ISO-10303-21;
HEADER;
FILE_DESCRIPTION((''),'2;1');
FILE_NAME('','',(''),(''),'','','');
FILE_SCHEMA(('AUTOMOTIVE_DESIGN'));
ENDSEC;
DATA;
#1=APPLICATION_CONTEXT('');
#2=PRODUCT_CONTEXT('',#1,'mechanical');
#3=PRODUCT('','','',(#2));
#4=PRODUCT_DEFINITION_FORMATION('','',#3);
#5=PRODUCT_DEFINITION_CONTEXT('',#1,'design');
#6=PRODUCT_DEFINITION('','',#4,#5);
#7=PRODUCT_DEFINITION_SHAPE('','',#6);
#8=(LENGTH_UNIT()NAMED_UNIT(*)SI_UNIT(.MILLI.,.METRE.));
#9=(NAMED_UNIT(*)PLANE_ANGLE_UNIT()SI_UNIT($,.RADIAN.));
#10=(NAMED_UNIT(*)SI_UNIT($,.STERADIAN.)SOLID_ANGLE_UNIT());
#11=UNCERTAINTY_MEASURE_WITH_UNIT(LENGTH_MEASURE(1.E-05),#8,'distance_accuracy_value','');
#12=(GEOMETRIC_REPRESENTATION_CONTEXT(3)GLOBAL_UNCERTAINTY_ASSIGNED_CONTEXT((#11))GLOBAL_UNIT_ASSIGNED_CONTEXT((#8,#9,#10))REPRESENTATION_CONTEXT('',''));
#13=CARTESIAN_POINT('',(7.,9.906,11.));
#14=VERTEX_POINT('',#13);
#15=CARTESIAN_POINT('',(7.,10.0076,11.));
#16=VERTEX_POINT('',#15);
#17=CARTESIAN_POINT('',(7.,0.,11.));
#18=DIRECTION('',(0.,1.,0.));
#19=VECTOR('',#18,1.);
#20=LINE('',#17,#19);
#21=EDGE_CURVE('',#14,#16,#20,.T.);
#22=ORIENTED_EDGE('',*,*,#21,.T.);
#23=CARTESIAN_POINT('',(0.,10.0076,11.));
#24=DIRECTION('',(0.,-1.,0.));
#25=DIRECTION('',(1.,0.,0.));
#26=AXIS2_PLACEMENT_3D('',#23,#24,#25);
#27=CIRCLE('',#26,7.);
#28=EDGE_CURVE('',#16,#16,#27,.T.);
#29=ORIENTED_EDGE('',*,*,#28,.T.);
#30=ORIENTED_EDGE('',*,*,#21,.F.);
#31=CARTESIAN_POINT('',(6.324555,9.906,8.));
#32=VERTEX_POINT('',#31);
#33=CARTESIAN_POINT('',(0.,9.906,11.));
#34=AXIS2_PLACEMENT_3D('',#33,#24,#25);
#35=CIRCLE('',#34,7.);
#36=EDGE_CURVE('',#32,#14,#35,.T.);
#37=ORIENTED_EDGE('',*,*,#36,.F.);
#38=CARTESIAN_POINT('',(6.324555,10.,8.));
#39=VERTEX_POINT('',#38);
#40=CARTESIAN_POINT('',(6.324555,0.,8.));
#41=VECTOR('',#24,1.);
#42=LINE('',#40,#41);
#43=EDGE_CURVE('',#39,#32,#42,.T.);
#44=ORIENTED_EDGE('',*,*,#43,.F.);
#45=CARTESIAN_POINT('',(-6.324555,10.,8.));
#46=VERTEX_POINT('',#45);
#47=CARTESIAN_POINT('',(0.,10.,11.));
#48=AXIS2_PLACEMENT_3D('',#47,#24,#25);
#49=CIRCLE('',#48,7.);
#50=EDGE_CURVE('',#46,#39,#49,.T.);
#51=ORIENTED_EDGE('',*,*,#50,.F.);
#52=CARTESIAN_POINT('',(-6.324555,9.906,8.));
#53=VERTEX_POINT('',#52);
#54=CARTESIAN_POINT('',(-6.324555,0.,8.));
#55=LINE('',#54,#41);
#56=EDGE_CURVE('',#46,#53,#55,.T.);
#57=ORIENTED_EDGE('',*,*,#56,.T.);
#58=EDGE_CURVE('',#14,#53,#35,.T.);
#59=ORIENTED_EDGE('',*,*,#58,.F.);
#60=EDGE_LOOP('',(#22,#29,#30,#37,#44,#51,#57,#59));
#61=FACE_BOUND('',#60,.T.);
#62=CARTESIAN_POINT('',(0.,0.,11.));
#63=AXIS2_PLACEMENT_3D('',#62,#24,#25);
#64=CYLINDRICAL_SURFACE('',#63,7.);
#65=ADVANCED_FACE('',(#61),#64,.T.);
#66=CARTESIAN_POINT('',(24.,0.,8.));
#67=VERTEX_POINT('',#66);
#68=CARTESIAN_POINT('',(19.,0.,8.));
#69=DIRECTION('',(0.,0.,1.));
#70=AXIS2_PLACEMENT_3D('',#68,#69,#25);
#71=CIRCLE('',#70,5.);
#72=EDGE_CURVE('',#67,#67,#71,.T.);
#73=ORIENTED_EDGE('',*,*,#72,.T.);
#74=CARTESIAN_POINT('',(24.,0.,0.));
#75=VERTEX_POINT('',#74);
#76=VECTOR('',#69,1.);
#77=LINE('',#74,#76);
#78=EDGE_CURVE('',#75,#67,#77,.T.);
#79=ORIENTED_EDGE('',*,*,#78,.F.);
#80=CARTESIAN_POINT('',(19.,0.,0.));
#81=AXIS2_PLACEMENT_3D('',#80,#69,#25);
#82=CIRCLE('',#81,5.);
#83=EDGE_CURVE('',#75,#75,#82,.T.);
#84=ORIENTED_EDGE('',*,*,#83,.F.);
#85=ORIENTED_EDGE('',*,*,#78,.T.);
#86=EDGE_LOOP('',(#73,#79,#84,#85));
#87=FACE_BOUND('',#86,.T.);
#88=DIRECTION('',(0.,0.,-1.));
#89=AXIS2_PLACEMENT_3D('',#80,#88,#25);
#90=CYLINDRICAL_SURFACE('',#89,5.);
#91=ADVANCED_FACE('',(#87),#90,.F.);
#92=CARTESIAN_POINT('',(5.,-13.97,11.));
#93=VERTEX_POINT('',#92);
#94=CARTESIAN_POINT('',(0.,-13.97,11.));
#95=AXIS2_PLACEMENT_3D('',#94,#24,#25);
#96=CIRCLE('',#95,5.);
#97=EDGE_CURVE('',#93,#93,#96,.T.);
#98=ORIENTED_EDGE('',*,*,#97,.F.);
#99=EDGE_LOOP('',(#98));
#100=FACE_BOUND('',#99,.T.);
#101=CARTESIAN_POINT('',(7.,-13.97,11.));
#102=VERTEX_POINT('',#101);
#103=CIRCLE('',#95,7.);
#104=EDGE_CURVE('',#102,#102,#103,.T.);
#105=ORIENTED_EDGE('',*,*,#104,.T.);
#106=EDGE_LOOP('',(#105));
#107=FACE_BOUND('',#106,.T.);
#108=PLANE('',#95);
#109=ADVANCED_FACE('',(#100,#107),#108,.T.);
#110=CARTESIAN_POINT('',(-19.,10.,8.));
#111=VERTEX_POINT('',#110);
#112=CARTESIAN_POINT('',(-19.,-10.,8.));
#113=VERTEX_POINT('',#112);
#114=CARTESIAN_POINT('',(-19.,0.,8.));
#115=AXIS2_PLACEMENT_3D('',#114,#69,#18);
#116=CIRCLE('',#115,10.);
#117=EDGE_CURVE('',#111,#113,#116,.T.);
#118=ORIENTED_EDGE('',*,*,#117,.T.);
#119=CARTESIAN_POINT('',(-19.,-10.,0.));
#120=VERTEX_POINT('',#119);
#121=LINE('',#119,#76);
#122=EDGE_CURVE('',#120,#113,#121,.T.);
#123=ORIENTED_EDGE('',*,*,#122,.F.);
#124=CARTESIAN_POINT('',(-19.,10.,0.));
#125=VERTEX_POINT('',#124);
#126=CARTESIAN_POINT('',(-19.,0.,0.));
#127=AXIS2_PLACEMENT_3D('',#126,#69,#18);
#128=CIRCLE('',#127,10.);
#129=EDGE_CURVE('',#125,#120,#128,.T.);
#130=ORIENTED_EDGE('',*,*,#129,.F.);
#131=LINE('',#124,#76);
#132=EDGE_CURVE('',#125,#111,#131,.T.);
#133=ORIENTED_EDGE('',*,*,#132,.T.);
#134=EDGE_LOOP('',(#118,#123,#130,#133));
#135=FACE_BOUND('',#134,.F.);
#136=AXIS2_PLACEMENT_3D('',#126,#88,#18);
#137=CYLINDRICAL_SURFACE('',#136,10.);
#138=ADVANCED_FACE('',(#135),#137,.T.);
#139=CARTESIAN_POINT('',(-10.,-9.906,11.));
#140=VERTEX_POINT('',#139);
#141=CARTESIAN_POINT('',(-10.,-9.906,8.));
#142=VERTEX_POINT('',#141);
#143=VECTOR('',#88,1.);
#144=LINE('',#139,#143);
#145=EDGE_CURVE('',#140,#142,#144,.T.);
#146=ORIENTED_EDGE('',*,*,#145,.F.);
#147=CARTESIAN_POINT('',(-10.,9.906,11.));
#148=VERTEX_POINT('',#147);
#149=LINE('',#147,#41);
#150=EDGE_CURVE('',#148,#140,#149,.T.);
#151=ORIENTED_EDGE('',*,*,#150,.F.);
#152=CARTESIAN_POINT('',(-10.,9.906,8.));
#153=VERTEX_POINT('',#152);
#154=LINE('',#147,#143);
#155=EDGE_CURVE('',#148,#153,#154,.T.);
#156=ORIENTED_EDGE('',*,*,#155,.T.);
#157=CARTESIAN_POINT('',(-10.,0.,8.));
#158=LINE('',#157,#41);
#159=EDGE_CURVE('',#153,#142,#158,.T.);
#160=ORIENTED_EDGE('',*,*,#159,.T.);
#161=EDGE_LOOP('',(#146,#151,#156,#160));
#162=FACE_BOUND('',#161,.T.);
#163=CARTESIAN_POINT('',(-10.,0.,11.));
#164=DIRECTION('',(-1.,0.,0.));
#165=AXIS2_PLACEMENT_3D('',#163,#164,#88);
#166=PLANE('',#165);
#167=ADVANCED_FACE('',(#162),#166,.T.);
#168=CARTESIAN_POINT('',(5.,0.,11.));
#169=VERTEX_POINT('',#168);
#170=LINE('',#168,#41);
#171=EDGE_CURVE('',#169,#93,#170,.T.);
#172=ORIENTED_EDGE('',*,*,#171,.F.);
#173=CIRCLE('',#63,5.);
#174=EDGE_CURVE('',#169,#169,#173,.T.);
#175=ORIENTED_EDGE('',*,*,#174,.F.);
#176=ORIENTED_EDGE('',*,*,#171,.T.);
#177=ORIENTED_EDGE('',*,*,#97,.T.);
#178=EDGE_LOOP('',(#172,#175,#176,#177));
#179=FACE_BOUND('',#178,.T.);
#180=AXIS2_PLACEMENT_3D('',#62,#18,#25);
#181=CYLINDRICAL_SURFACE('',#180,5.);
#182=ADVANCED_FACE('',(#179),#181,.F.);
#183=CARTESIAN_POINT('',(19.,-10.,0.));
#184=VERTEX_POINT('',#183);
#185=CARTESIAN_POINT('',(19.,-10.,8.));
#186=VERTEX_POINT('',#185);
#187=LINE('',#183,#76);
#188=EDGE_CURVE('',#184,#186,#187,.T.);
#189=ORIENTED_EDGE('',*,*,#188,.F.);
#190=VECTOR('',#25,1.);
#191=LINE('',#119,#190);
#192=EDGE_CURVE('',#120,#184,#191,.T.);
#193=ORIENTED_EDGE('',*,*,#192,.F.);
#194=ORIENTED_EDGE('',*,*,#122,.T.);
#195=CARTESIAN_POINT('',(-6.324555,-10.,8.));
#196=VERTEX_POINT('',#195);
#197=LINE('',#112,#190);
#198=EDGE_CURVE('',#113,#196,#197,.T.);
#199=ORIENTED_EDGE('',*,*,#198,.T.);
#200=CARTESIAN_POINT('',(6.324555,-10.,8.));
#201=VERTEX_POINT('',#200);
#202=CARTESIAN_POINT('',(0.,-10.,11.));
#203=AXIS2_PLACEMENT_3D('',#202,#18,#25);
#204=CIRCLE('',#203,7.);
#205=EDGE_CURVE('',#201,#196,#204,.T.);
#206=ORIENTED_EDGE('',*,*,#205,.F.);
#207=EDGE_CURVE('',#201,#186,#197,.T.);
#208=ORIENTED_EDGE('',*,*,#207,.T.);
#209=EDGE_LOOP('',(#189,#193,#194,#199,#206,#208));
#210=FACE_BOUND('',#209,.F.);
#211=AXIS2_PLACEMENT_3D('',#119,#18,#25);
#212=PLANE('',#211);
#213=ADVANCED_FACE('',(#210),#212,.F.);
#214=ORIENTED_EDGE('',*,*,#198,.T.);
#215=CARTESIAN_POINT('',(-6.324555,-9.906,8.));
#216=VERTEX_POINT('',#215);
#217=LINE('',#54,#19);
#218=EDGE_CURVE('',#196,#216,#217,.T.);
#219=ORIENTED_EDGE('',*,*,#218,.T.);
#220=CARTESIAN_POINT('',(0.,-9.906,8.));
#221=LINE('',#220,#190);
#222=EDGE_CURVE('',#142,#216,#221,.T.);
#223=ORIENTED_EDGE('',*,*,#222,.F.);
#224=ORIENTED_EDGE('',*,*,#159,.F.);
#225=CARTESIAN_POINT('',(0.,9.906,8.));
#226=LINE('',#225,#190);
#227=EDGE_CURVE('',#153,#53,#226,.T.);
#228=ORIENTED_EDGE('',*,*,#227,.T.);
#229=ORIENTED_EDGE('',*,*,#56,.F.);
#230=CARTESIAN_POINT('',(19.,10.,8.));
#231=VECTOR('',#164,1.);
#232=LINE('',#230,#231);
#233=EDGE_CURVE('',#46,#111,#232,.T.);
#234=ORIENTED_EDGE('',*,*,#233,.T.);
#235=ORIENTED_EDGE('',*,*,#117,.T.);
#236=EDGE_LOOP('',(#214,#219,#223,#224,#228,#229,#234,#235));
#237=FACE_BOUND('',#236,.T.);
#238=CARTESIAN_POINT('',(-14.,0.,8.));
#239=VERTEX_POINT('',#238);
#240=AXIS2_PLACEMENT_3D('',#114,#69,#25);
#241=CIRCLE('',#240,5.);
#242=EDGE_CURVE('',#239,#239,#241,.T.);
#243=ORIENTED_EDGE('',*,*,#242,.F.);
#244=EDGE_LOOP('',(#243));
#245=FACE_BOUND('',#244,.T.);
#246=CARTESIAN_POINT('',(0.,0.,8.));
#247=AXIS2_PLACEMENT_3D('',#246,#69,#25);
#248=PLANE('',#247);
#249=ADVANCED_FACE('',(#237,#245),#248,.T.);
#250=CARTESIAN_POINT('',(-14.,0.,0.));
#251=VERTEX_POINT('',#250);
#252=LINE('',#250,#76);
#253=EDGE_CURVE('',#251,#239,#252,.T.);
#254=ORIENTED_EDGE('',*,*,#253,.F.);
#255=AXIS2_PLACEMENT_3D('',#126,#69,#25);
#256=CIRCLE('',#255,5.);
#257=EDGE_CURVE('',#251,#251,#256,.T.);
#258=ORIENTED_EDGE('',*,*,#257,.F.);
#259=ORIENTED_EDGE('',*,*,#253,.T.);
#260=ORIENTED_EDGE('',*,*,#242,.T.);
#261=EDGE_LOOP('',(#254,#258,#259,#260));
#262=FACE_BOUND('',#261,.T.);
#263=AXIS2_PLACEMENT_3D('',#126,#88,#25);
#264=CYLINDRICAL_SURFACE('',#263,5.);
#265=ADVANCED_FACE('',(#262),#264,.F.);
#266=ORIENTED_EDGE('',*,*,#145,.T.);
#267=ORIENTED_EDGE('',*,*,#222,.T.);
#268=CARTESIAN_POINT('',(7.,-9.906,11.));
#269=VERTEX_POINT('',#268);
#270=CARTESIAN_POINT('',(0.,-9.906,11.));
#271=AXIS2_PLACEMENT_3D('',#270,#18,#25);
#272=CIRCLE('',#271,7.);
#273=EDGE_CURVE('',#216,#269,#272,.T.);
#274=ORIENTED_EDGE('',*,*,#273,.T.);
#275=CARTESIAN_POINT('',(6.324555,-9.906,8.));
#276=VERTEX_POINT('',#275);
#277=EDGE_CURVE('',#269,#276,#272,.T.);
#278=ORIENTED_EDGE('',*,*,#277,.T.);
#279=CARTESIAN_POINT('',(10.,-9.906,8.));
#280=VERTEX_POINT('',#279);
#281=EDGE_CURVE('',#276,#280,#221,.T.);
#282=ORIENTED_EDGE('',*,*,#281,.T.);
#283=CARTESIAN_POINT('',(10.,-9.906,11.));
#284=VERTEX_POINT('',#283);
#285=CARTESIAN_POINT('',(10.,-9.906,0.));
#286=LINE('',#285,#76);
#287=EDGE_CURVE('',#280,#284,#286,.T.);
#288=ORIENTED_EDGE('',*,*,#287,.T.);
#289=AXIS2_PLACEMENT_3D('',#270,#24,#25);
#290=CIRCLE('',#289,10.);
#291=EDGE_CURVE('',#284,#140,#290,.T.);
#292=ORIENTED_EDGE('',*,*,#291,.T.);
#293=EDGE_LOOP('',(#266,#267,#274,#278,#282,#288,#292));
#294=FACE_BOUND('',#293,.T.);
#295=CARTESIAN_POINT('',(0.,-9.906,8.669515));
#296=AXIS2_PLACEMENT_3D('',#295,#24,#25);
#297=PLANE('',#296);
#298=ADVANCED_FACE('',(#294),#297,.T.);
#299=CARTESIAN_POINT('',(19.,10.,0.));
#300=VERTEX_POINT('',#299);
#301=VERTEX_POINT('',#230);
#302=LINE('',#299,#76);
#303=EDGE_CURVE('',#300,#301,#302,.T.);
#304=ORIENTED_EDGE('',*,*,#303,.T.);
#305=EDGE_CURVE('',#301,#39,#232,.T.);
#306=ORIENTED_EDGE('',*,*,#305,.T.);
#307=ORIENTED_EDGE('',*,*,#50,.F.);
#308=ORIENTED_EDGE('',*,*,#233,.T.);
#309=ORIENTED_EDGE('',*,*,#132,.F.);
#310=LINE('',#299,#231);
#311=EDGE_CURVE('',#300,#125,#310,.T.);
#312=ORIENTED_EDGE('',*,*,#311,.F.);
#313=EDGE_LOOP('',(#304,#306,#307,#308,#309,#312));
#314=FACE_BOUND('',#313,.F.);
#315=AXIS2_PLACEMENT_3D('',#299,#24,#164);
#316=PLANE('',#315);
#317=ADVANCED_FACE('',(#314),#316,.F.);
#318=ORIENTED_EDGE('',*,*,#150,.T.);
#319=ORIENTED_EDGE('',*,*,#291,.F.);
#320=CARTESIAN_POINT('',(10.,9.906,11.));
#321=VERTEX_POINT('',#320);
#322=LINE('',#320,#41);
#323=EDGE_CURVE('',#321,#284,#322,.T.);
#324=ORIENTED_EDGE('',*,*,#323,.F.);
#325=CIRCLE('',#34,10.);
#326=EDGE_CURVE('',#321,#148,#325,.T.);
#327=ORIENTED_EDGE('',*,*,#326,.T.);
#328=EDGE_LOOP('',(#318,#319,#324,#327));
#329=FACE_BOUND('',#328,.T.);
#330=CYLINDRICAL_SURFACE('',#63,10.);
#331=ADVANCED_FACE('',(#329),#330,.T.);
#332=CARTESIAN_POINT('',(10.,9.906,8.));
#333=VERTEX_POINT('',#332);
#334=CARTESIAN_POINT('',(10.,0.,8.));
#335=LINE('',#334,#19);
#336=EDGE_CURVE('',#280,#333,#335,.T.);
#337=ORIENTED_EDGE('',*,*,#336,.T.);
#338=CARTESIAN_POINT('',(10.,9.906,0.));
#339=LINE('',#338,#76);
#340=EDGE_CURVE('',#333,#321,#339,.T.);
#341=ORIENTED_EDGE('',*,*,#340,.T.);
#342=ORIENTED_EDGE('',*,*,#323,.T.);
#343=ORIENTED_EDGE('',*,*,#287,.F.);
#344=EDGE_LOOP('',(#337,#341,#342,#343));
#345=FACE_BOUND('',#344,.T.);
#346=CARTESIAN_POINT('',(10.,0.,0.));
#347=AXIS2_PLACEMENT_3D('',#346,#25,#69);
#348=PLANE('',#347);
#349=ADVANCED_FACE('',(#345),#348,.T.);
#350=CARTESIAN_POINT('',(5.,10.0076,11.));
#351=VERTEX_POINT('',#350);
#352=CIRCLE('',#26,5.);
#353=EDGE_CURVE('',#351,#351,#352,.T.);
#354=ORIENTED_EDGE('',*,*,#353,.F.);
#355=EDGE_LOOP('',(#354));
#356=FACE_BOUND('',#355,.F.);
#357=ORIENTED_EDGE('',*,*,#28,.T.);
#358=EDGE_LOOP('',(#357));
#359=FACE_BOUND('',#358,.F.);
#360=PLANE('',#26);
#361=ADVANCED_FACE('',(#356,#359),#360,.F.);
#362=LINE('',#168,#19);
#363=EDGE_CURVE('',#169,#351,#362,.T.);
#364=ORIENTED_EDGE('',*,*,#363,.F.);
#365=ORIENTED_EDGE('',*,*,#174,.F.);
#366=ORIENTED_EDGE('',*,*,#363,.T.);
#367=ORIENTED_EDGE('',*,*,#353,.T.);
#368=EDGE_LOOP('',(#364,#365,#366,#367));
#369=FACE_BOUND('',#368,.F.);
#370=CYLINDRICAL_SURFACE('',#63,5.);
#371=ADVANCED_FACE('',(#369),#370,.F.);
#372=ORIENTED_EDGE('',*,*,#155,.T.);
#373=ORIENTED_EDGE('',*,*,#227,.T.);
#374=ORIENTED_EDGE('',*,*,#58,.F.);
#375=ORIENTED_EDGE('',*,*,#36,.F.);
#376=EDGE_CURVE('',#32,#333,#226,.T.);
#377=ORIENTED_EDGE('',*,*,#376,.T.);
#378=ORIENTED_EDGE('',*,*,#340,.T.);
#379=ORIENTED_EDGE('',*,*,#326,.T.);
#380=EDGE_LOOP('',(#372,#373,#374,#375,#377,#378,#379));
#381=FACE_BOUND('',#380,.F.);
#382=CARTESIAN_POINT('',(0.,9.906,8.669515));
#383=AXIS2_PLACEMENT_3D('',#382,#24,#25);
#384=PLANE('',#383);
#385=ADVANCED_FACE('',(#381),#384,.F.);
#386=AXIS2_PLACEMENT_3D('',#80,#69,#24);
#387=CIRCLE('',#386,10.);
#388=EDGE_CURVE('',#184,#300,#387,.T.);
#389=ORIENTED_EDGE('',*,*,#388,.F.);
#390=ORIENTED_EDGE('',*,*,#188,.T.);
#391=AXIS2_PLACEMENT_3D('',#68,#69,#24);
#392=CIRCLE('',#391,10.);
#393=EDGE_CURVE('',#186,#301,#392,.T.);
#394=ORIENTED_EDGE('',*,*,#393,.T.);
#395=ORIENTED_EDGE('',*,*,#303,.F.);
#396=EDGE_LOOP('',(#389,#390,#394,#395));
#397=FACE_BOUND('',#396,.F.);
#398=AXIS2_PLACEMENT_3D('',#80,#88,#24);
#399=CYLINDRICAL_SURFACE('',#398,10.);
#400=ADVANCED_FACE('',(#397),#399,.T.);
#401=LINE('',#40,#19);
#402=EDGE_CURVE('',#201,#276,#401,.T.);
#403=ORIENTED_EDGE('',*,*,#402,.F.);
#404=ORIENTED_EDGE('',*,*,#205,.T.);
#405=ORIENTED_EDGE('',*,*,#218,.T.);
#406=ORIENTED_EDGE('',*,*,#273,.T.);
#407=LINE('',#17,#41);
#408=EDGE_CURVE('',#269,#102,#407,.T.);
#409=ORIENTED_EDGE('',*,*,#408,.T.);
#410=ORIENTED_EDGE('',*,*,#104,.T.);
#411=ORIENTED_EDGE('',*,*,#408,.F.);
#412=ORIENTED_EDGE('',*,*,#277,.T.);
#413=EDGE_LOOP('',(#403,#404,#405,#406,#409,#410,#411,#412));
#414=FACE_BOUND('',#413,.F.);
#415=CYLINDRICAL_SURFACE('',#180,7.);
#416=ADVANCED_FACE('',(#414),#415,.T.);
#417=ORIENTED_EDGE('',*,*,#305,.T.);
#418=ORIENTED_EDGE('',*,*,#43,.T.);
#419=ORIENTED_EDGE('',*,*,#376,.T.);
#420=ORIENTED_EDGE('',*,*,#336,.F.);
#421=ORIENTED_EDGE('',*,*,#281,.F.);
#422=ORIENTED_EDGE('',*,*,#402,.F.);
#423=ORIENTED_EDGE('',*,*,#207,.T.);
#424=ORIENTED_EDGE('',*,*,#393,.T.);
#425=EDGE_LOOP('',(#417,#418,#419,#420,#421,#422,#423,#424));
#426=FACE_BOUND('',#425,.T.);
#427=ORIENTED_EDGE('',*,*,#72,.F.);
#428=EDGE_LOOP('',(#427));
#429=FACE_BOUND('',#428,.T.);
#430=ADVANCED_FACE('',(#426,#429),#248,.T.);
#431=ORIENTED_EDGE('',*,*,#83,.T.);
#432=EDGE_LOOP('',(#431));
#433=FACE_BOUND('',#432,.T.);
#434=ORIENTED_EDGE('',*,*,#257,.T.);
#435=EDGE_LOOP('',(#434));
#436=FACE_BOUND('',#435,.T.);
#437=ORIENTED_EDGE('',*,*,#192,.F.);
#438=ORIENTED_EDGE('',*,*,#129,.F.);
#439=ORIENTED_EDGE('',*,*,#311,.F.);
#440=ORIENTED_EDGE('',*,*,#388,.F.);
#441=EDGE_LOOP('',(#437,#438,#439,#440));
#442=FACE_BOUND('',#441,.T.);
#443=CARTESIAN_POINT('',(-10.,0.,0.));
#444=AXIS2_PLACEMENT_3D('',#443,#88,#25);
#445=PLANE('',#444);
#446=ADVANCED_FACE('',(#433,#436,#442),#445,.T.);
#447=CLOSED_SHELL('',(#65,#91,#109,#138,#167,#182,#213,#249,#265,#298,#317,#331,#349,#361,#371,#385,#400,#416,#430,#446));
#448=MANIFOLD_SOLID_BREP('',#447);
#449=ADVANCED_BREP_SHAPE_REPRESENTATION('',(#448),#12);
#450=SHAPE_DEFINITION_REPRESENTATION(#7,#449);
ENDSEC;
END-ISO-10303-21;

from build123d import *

# Parameters (mm, degrees)
F0_R          = 5
F1_DEPTH      = 8
F3_DEPTH      = 9.906
F4_R          = 7
F5_DEPTH      = 10.001
F5_DEPTH_BACK = 10.001
F6_R          = 7
F6_R_2        = 5
F7_DEPTH      = 13.97
F7_DEPTH_BACK = 10.0076


with BuildPart() as f1:
    # F0 (on Top) → F1 (new body)
    with BuildSketch(Plane.XY):
        with BuildLine():
            Line((-19, -10), (19, -10))
            ThreePointArc((19, -10), (29, 0), (19, 10))
            Line((19, 10), (-19, 10))
            ThreePointArc((-19, 10), (-29, 0), (-19, -10))
        make_face()
        with Locations((-19, 0)):
            Circle(F0_R, mode=Mode.SUBTRACT)
        with Locations((19, 0)):
            Circle(F0_R, mode=Mode.SUBTRACT)
    extrude(amount=F1_DEPTH)

    # F2 (on Front) → F3 (join, symmetric)
    with BuildSketch(Plane.XZ):
        with BuildLine():
            Line((10, 0), (10, 11))
            ThreePointArc((10, 11), (0, 21), (-10, 11))
            Line((-10, 11), (-10, 0))
            Line((-10, 0), (10, 0))
        make_face()
    extrude(amount=F3_DEPTH, both=True)

    # F4 (on Front) → F5 (cut, two sides)
    with BuildSketch(Plane.XZ) as f5_sk:
        with Locations((0, 11)):
            Circle(F4_R)
    extrude(amount=F5_DEPTH, mode=Mode.SUBTRACT)
    extrude(f5_sk.sketch, amount=-F5_DEPTH_BACK, mode=Mode.SUBTRACT)

    # F6 (on Front) → F7 (join, two sides)
    with BuildSketch(Plane.XZ) as f7_sk:
        with Locations((0, 11)):
            Circle(F6_R)
        with Locations((0, 11)):
            Circle(F6_R_2, mode=Mode.SUBTRACT)
    extrude(amount=F7_DEPTH)
    extrude(f7_sk.sketch, amount=-F7_DEPTH_BACK)


solid = f1.part
